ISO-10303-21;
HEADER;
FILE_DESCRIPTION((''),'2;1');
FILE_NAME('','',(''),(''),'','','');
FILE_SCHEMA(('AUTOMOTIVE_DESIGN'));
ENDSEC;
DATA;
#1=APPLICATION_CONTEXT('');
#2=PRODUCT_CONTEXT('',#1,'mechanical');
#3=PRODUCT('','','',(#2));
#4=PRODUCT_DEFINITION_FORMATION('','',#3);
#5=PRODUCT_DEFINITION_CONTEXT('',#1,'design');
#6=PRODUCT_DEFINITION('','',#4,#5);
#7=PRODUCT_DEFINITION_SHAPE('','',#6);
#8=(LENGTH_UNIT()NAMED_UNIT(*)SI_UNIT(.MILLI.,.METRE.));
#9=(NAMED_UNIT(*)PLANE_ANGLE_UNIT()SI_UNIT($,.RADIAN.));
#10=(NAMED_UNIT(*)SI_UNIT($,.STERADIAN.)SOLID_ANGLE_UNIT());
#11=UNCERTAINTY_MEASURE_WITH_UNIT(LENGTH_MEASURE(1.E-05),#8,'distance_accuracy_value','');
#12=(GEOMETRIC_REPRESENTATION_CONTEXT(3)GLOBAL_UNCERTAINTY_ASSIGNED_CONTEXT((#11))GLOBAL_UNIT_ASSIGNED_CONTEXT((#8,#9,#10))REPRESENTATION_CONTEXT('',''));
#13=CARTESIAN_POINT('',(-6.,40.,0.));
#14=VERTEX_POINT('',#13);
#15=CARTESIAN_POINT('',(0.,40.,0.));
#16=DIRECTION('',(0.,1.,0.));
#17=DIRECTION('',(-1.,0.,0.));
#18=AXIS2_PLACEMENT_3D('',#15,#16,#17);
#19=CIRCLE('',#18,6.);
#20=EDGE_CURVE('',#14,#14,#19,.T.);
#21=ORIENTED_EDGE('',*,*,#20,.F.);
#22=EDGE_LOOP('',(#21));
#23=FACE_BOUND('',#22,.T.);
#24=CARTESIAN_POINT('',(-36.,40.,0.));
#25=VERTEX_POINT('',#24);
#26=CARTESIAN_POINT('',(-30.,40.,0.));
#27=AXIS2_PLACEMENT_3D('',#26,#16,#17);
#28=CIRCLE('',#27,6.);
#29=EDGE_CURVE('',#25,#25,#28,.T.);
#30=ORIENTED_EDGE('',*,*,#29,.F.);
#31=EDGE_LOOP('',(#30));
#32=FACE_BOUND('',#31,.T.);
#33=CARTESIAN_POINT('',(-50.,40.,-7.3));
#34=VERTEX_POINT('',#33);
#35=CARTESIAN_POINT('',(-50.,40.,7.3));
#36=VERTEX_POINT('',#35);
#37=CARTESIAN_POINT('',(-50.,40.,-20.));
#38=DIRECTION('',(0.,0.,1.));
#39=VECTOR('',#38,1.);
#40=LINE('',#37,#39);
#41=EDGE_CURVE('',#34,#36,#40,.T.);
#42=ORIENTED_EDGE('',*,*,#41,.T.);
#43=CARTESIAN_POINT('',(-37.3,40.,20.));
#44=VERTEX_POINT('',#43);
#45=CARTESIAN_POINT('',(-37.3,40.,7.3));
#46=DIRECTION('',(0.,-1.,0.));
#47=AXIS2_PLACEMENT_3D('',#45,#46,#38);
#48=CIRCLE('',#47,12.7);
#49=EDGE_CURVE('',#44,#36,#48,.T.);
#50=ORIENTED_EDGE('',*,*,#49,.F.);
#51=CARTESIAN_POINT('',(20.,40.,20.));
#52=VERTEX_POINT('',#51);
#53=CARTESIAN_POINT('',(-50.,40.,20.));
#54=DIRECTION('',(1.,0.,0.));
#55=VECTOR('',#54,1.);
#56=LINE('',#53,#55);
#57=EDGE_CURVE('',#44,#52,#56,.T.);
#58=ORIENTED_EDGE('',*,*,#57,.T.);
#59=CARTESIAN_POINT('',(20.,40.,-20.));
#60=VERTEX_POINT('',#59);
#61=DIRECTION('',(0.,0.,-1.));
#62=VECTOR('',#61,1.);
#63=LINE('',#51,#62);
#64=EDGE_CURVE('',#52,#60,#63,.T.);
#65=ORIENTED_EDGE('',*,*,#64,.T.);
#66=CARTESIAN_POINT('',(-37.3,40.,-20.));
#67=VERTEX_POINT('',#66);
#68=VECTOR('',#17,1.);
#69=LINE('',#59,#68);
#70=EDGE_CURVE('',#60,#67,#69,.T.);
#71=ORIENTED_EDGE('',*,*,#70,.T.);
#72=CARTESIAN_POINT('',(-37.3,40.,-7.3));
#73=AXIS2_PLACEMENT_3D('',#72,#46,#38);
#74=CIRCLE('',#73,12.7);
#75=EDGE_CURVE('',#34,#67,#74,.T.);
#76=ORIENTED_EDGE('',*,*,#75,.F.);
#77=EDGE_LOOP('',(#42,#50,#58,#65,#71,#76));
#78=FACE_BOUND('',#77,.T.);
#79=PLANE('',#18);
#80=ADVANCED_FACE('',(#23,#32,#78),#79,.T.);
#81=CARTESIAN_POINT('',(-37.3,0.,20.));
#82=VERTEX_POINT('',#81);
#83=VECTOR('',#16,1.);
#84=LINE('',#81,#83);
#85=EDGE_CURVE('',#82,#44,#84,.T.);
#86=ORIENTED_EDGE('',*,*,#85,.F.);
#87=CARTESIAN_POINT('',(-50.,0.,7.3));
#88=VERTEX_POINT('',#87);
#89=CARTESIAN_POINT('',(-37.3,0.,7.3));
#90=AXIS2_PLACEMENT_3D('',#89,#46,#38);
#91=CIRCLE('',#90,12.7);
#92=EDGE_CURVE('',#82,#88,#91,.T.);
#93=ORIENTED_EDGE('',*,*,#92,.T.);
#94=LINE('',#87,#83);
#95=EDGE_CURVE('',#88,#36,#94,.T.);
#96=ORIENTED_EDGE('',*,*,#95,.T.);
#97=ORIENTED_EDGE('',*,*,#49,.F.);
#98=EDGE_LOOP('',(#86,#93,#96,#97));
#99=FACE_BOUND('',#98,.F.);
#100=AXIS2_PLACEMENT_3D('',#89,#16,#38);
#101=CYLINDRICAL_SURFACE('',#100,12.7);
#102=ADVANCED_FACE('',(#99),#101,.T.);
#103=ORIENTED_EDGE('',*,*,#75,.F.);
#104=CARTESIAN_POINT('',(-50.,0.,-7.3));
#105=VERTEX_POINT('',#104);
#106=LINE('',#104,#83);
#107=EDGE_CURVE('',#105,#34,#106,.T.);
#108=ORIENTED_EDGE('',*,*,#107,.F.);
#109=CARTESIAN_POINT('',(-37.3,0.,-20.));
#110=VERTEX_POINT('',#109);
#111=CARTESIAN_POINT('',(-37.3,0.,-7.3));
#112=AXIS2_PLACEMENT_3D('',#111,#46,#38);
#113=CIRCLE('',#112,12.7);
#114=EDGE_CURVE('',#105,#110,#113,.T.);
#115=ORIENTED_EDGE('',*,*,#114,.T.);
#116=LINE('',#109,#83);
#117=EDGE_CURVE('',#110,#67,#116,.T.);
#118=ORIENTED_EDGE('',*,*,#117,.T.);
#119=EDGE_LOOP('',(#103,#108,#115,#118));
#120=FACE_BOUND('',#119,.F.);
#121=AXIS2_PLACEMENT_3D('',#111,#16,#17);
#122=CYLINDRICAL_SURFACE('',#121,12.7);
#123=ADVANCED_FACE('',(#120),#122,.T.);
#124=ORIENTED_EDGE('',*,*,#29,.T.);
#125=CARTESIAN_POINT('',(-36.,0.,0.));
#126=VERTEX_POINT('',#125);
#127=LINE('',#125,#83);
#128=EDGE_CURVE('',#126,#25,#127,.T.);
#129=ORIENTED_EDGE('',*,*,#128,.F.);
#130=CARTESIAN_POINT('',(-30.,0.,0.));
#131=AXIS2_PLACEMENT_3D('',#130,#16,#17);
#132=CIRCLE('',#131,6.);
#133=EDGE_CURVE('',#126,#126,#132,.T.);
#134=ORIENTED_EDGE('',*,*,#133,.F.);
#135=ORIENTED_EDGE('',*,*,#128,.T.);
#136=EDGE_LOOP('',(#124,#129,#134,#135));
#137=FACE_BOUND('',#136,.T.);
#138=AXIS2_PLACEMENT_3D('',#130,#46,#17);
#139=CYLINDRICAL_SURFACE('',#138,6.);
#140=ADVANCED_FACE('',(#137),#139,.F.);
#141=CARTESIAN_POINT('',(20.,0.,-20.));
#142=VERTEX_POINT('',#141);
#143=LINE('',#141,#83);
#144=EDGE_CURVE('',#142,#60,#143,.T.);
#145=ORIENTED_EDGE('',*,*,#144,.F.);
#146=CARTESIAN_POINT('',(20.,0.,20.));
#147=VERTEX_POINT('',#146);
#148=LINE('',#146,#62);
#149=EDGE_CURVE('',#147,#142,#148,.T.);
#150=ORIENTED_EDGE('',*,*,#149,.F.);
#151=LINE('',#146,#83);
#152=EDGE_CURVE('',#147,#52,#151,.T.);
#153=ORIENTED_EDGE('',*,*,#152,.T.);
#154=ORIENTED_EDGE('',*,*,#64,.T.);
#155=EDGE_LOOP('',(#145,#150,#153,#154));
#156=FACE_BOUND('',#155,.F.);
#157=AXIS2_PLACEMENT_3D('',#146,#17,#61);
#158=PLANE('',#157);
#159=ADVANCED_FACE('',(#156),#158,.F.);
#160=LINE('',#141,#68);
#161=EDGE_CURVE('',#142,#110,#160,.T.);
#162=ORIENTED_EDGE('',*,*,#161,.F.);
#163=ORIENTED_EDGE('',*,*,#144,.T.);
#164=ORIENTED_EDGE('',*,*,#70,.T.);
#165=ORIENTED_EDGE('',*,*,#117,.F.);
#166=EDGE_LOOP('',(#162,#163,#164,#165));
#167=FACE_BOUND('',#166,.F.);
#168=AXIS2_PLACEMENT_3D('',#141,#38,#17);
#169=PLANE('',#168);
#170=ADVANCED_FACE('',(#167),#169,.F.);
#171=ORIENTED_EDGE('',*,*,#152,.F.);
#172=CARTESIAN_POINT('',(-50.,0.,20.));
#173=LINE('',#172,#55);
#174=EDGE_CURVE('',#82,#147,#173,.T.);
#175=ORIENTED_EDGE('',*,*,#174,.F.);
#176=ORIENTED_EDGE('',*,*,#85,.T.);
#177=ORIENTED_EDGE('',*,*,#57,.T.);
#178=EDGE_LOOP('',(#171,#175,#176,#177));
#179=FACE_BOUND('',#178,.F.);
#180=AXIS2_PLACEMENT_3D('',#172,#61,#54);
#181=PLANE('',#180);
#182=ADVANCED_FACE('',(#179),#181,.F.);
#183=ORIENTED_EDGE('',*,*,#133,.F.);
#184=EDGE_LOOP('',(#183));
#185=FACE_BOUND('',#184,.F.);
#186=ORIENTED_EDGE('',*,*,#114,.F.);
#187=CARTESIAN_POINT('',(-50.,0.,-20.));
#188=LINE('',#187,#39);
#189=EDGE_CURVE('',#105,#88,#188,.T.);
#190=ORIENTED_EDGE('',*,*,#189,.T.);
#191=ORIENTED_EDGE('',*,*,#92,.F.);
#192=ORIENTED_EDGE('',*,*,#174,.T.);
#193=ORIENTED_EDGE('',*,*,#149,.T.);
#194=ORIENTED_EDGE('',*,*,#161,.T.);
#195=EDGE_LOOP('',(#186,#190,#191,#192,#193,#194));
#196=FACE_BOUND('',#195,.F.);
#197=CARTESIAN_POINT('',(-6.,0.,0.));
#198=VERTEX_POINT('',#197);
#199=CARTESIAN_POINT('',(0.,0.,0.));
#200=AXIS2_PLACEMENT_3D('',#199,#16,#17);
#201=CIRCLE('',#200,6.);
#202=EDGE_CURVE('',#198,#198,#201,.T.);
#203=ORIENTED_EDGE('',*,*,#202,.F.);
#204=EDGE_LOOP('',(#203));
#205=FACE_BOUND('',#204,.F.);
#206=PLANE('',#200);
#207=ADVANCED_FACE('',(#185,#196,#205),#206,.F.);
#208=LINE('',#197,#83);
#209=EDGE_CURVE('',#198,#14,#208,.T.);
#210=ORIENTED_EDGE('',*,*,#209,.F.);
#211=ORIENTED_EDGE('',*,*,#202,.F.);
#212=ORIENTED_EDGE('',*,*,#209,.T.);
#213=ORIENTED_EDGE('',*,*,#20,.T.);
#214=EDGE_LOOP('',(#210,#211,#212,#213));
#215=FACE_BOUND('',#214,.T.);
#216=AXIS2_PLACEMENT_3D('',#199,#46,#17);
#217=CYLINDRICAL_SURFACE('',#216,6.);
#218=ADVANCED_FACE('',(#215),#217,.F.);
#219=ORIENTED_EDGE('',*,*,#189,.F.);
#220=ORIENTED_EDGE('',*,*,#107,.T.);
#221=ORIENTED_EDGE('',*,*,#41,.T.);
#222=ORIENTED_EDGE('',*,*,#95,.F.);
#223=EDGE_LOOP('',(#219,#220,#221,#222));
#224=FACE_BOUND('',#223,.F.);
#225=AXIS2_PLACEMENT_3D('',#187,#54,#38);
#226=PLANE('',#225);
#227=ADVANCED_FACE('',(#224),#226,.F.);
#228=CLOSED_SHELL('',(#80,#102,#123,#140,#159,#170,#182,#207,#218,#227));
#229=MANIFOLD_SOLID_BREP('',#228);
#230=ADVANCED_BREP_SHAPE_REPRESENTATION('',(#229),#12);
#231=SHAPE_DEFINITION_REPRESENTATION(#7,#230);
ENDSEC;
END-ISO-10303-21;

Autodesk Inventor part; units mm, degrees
ref_plane "YZ Plane" through (0, 0, 0) normal (1, 0, 0) x (0, 1, 0)
ref_plane "XZ Plane" through (0, 0, 0) normal (0, 1, 0) x (-1, 0, 0)
ref_plane "XY Plane" through (0, 0, 0) normal (0, 0, 1) x (1, 0, 0)
sketch "Sketch1" plane through (0, 0, 0) normal (0, 1, 0) x (-1, 0, 0)
  circle A0 centre (0, 0) radius 6
  line L0 (-20, -20) -> (50, -20)
  line L1 (50, -20) -> (50, 20)
  line L2 (50, 20) -> (-20, 20)
  circle A1 centre (30, 0) radius 6
  line L3 (-20, 20) -> (-20, -20)
  dimension "d0" = 12
  dimension "d1" = 70
  dimension "d2" = 40
  dimension "d3" = 70
  dimension "d4" = 20
  dimension "d7" = 12
  dimension "d8" = 20
  dimension "d9" = 30
extrude "Extrusion1" add sketch "Sketch1" along normal blind 40
fillet "Fillet1" radius 12.7 2 edges at (-50, 20, -20) (-50, 20, 20)
properties part number "railMount"
